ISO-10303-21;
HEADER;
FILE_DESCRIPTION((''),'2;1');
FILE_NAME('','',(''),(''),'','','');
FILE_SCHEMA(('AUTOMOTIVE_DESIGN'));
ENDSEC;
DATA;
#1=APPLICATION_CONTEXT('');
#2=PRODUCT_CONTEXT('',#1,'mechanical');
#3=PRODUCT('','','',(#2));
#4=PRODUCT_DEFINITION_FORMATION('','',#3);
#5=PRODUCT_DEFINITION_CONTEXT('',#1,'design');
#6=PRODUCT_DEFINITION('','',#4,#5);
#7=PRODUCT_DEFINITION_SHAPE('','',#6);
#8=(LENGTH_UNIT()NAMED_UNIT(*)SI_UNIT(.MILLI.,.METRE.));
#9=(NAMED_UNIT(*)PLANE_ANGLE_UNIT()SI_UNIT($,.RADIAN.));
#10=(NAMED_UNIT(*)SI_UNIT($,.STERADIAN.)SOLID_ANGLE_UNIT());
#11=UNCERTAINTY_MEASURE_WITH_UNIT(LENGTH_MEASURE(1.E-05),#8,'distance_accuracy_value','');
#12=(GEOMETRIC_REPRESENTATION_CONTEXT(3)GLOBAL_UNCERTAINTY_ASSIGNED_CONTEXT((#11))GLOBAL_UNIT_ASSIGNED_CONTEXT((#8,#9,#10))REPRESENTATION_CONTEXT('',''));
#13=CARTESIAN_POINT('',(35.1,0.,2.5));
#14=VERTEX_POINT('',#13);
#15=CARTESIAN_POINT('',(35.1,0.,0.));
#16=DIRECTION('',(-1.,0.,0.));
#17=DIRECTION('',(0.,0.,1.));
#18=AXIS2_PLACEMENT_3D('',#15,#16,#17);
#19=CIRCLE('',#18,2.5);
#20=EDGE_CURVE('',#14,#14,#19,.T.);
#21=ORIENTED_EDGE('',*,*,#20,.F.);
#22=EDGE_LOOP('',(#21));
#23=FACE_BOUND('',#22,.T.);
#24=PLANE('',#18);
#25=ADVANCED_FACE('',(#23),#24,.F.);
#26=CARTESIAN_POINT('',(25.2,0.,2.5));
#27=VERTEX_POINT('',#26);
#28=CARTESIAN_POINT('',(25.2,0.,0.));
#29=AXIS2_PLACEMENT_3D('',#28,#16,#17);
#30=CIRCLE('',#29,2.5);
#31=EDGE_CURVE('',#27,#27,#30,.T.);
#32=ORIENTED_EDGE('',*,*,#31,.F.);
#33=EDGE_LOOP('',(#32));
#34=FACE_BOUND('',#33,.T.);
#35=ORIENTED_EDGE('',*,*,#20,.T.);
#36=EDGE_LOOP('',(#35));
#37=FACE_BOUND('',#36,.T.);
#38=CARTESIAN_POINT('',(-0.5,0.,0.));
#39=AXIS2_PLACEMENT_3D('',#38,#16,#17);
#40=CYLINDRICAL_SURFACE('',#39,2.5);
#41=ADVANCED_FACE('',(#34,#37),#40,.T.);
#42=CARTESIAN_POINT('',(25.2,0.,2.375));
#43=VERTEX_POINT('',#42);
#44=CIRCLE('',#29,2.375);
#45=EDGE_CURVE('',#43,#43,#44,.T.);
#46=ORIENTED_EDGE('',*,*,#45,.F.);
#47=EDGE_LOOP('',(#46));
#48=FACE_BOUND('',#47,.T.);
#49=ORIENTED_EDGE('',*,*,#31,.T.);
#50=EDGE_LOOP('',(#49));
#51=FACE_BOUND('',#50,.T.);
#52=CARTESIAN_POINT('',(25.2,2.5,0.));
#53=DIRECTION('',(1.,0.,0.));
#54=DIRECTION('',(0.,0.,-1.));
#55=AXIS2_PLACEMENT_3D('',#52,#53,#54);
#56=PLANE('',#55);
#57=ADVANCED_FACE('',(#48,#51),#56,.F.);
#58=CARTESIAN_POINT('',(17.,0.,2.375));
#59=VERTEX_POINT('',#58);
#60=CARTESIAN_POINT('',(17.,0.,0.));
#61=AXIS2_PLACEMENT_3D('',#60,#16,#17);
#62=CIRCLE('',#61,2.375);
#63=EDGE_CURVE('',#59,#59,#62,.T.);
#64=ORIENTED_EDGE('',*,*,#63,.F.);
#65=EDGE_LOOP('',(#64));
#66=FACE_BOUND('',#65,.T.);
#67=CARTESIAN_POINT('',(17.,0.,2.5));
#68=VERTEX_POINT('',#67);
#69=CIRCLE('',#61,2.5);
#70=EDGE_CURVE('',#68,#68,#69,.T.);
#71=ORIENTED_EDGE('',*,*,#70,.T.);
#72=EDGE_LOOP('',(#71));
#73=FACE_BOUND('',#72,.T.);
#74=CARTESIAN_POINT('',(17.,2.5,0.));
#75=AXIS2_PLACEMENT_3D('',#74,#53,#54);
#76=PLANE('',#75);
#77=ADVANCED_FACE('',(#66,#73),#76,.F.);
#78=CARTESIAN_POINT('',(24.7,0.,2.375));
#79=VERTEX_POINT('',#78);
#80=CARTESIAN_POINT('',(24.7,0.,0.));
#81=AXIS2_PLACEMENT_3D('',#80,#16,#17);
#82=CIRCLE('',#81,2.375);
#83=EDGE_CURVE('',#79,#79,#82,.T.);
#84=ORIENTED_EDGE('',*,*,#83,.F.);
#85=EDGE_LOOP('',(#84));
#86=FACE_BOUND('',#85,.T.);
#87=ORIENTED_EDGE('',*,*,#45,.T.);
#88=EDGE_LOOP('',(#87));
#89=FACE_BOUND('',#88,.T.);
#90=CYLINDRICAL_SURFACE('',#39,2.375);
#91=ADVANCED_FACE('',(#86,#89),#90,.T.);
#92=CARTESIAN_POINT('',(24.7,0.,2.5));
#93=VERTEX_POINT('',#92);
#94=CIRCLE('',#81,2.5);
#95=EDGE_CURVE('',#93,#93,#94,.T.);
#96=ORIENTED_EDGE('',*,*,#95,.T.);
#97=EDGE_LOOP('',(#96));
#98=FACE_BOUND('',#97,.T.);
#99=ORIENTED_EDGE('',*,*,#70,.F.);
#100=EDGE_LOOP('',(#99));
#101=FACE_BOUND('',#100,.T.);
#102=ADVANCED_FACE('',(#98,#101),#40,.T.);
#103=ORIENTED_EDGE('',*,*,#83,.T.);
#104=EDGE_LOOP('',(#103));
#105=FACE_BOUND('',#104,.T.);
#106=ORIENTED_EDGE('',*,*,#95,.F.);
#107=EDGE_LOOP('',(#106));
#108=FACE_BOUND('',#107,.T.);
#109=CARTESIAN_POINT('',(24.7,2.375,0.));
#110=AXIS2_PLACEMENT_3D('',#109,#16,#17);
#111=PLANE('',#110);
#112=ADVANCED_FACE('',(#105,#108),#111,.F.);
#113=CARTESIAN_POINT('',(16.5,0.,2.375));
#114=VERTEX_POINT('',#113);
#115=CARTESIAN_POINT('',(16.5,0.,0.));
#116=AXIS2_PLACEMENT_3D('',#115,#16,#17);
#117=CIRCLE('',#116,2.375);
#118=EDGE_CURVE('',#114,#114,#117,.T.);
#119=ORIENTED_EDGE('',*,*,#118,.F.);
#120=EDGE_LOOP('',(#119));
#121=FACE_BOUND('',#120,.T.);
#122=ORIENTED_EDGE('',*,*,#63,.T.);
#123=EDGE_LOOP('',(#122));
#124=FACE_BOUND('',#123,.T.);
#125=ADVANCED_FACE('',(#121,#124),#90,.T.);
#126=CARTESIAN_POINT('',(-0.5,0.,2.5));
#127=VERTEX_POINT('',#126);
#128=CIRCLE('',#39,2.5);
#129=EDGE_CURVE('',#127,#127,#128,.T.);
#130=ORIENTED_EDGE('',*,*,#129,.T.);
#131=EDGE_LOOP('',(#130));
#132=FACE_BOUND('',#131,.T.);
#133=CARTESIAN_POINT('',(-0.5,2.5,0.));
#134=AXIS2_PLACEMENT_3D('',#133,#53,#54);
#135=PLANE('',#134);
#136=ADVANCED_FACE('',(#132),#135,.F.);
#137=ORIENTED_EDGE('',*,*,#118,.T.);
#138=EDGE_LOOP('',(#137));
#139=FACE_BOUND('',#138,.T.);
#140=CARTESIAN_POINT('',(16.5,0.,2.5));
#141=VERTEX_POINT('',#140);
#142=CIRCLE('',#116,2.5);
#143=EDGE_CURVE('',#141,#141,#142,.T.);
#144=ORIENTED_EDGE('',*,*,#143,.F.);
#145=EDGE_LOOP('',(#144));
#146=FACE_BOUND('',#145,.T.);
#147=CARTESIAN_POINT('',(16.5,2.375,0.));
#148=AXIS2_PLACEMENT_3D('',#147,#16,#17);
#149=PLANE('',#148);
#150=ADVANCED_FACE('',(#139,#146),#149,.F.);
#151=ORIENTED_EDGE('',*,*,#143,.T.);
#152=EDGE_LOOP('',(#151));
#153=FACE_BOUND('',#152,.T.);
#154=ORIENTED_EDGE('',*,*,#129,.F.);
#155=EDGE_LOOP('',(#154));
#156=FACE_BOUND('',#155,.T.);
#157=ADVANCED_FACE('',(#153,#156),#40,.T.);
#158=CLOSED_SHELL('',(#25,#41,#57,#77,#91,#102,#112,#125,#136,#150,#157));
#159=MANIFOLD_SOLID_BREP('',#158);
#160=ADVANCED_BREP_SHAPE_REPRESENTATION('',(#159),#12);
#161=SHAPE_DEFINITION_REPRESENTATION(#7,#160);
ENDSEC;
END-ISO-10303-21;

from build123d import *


with BuildPart() as part:
    # Sketch2 → Revolve1 (revolve)
    with BuildSketch(Plane.XY, mode=Mode.PRIVATE) as revolve1_sk:
        Polygon((-0.5, 2.5), (-0.5, 0), (35.1, 0), (35.1, 2.5), (25.2, 2.5), (25.2, 2.375), (24.7, 2.375), (24.7, 2.5), (17, 2.5), (17, 2.375), (16.5, 2.375), (16.5, 2.5), align=None)
    revolve(revolve1_sk.sketch.rotate(Axis((-0.5, 0, 0), (1, 0, 0)), 90), axis=Axis((-0.5, 0, 0), (1, 0, 0)))


solid = part.part
